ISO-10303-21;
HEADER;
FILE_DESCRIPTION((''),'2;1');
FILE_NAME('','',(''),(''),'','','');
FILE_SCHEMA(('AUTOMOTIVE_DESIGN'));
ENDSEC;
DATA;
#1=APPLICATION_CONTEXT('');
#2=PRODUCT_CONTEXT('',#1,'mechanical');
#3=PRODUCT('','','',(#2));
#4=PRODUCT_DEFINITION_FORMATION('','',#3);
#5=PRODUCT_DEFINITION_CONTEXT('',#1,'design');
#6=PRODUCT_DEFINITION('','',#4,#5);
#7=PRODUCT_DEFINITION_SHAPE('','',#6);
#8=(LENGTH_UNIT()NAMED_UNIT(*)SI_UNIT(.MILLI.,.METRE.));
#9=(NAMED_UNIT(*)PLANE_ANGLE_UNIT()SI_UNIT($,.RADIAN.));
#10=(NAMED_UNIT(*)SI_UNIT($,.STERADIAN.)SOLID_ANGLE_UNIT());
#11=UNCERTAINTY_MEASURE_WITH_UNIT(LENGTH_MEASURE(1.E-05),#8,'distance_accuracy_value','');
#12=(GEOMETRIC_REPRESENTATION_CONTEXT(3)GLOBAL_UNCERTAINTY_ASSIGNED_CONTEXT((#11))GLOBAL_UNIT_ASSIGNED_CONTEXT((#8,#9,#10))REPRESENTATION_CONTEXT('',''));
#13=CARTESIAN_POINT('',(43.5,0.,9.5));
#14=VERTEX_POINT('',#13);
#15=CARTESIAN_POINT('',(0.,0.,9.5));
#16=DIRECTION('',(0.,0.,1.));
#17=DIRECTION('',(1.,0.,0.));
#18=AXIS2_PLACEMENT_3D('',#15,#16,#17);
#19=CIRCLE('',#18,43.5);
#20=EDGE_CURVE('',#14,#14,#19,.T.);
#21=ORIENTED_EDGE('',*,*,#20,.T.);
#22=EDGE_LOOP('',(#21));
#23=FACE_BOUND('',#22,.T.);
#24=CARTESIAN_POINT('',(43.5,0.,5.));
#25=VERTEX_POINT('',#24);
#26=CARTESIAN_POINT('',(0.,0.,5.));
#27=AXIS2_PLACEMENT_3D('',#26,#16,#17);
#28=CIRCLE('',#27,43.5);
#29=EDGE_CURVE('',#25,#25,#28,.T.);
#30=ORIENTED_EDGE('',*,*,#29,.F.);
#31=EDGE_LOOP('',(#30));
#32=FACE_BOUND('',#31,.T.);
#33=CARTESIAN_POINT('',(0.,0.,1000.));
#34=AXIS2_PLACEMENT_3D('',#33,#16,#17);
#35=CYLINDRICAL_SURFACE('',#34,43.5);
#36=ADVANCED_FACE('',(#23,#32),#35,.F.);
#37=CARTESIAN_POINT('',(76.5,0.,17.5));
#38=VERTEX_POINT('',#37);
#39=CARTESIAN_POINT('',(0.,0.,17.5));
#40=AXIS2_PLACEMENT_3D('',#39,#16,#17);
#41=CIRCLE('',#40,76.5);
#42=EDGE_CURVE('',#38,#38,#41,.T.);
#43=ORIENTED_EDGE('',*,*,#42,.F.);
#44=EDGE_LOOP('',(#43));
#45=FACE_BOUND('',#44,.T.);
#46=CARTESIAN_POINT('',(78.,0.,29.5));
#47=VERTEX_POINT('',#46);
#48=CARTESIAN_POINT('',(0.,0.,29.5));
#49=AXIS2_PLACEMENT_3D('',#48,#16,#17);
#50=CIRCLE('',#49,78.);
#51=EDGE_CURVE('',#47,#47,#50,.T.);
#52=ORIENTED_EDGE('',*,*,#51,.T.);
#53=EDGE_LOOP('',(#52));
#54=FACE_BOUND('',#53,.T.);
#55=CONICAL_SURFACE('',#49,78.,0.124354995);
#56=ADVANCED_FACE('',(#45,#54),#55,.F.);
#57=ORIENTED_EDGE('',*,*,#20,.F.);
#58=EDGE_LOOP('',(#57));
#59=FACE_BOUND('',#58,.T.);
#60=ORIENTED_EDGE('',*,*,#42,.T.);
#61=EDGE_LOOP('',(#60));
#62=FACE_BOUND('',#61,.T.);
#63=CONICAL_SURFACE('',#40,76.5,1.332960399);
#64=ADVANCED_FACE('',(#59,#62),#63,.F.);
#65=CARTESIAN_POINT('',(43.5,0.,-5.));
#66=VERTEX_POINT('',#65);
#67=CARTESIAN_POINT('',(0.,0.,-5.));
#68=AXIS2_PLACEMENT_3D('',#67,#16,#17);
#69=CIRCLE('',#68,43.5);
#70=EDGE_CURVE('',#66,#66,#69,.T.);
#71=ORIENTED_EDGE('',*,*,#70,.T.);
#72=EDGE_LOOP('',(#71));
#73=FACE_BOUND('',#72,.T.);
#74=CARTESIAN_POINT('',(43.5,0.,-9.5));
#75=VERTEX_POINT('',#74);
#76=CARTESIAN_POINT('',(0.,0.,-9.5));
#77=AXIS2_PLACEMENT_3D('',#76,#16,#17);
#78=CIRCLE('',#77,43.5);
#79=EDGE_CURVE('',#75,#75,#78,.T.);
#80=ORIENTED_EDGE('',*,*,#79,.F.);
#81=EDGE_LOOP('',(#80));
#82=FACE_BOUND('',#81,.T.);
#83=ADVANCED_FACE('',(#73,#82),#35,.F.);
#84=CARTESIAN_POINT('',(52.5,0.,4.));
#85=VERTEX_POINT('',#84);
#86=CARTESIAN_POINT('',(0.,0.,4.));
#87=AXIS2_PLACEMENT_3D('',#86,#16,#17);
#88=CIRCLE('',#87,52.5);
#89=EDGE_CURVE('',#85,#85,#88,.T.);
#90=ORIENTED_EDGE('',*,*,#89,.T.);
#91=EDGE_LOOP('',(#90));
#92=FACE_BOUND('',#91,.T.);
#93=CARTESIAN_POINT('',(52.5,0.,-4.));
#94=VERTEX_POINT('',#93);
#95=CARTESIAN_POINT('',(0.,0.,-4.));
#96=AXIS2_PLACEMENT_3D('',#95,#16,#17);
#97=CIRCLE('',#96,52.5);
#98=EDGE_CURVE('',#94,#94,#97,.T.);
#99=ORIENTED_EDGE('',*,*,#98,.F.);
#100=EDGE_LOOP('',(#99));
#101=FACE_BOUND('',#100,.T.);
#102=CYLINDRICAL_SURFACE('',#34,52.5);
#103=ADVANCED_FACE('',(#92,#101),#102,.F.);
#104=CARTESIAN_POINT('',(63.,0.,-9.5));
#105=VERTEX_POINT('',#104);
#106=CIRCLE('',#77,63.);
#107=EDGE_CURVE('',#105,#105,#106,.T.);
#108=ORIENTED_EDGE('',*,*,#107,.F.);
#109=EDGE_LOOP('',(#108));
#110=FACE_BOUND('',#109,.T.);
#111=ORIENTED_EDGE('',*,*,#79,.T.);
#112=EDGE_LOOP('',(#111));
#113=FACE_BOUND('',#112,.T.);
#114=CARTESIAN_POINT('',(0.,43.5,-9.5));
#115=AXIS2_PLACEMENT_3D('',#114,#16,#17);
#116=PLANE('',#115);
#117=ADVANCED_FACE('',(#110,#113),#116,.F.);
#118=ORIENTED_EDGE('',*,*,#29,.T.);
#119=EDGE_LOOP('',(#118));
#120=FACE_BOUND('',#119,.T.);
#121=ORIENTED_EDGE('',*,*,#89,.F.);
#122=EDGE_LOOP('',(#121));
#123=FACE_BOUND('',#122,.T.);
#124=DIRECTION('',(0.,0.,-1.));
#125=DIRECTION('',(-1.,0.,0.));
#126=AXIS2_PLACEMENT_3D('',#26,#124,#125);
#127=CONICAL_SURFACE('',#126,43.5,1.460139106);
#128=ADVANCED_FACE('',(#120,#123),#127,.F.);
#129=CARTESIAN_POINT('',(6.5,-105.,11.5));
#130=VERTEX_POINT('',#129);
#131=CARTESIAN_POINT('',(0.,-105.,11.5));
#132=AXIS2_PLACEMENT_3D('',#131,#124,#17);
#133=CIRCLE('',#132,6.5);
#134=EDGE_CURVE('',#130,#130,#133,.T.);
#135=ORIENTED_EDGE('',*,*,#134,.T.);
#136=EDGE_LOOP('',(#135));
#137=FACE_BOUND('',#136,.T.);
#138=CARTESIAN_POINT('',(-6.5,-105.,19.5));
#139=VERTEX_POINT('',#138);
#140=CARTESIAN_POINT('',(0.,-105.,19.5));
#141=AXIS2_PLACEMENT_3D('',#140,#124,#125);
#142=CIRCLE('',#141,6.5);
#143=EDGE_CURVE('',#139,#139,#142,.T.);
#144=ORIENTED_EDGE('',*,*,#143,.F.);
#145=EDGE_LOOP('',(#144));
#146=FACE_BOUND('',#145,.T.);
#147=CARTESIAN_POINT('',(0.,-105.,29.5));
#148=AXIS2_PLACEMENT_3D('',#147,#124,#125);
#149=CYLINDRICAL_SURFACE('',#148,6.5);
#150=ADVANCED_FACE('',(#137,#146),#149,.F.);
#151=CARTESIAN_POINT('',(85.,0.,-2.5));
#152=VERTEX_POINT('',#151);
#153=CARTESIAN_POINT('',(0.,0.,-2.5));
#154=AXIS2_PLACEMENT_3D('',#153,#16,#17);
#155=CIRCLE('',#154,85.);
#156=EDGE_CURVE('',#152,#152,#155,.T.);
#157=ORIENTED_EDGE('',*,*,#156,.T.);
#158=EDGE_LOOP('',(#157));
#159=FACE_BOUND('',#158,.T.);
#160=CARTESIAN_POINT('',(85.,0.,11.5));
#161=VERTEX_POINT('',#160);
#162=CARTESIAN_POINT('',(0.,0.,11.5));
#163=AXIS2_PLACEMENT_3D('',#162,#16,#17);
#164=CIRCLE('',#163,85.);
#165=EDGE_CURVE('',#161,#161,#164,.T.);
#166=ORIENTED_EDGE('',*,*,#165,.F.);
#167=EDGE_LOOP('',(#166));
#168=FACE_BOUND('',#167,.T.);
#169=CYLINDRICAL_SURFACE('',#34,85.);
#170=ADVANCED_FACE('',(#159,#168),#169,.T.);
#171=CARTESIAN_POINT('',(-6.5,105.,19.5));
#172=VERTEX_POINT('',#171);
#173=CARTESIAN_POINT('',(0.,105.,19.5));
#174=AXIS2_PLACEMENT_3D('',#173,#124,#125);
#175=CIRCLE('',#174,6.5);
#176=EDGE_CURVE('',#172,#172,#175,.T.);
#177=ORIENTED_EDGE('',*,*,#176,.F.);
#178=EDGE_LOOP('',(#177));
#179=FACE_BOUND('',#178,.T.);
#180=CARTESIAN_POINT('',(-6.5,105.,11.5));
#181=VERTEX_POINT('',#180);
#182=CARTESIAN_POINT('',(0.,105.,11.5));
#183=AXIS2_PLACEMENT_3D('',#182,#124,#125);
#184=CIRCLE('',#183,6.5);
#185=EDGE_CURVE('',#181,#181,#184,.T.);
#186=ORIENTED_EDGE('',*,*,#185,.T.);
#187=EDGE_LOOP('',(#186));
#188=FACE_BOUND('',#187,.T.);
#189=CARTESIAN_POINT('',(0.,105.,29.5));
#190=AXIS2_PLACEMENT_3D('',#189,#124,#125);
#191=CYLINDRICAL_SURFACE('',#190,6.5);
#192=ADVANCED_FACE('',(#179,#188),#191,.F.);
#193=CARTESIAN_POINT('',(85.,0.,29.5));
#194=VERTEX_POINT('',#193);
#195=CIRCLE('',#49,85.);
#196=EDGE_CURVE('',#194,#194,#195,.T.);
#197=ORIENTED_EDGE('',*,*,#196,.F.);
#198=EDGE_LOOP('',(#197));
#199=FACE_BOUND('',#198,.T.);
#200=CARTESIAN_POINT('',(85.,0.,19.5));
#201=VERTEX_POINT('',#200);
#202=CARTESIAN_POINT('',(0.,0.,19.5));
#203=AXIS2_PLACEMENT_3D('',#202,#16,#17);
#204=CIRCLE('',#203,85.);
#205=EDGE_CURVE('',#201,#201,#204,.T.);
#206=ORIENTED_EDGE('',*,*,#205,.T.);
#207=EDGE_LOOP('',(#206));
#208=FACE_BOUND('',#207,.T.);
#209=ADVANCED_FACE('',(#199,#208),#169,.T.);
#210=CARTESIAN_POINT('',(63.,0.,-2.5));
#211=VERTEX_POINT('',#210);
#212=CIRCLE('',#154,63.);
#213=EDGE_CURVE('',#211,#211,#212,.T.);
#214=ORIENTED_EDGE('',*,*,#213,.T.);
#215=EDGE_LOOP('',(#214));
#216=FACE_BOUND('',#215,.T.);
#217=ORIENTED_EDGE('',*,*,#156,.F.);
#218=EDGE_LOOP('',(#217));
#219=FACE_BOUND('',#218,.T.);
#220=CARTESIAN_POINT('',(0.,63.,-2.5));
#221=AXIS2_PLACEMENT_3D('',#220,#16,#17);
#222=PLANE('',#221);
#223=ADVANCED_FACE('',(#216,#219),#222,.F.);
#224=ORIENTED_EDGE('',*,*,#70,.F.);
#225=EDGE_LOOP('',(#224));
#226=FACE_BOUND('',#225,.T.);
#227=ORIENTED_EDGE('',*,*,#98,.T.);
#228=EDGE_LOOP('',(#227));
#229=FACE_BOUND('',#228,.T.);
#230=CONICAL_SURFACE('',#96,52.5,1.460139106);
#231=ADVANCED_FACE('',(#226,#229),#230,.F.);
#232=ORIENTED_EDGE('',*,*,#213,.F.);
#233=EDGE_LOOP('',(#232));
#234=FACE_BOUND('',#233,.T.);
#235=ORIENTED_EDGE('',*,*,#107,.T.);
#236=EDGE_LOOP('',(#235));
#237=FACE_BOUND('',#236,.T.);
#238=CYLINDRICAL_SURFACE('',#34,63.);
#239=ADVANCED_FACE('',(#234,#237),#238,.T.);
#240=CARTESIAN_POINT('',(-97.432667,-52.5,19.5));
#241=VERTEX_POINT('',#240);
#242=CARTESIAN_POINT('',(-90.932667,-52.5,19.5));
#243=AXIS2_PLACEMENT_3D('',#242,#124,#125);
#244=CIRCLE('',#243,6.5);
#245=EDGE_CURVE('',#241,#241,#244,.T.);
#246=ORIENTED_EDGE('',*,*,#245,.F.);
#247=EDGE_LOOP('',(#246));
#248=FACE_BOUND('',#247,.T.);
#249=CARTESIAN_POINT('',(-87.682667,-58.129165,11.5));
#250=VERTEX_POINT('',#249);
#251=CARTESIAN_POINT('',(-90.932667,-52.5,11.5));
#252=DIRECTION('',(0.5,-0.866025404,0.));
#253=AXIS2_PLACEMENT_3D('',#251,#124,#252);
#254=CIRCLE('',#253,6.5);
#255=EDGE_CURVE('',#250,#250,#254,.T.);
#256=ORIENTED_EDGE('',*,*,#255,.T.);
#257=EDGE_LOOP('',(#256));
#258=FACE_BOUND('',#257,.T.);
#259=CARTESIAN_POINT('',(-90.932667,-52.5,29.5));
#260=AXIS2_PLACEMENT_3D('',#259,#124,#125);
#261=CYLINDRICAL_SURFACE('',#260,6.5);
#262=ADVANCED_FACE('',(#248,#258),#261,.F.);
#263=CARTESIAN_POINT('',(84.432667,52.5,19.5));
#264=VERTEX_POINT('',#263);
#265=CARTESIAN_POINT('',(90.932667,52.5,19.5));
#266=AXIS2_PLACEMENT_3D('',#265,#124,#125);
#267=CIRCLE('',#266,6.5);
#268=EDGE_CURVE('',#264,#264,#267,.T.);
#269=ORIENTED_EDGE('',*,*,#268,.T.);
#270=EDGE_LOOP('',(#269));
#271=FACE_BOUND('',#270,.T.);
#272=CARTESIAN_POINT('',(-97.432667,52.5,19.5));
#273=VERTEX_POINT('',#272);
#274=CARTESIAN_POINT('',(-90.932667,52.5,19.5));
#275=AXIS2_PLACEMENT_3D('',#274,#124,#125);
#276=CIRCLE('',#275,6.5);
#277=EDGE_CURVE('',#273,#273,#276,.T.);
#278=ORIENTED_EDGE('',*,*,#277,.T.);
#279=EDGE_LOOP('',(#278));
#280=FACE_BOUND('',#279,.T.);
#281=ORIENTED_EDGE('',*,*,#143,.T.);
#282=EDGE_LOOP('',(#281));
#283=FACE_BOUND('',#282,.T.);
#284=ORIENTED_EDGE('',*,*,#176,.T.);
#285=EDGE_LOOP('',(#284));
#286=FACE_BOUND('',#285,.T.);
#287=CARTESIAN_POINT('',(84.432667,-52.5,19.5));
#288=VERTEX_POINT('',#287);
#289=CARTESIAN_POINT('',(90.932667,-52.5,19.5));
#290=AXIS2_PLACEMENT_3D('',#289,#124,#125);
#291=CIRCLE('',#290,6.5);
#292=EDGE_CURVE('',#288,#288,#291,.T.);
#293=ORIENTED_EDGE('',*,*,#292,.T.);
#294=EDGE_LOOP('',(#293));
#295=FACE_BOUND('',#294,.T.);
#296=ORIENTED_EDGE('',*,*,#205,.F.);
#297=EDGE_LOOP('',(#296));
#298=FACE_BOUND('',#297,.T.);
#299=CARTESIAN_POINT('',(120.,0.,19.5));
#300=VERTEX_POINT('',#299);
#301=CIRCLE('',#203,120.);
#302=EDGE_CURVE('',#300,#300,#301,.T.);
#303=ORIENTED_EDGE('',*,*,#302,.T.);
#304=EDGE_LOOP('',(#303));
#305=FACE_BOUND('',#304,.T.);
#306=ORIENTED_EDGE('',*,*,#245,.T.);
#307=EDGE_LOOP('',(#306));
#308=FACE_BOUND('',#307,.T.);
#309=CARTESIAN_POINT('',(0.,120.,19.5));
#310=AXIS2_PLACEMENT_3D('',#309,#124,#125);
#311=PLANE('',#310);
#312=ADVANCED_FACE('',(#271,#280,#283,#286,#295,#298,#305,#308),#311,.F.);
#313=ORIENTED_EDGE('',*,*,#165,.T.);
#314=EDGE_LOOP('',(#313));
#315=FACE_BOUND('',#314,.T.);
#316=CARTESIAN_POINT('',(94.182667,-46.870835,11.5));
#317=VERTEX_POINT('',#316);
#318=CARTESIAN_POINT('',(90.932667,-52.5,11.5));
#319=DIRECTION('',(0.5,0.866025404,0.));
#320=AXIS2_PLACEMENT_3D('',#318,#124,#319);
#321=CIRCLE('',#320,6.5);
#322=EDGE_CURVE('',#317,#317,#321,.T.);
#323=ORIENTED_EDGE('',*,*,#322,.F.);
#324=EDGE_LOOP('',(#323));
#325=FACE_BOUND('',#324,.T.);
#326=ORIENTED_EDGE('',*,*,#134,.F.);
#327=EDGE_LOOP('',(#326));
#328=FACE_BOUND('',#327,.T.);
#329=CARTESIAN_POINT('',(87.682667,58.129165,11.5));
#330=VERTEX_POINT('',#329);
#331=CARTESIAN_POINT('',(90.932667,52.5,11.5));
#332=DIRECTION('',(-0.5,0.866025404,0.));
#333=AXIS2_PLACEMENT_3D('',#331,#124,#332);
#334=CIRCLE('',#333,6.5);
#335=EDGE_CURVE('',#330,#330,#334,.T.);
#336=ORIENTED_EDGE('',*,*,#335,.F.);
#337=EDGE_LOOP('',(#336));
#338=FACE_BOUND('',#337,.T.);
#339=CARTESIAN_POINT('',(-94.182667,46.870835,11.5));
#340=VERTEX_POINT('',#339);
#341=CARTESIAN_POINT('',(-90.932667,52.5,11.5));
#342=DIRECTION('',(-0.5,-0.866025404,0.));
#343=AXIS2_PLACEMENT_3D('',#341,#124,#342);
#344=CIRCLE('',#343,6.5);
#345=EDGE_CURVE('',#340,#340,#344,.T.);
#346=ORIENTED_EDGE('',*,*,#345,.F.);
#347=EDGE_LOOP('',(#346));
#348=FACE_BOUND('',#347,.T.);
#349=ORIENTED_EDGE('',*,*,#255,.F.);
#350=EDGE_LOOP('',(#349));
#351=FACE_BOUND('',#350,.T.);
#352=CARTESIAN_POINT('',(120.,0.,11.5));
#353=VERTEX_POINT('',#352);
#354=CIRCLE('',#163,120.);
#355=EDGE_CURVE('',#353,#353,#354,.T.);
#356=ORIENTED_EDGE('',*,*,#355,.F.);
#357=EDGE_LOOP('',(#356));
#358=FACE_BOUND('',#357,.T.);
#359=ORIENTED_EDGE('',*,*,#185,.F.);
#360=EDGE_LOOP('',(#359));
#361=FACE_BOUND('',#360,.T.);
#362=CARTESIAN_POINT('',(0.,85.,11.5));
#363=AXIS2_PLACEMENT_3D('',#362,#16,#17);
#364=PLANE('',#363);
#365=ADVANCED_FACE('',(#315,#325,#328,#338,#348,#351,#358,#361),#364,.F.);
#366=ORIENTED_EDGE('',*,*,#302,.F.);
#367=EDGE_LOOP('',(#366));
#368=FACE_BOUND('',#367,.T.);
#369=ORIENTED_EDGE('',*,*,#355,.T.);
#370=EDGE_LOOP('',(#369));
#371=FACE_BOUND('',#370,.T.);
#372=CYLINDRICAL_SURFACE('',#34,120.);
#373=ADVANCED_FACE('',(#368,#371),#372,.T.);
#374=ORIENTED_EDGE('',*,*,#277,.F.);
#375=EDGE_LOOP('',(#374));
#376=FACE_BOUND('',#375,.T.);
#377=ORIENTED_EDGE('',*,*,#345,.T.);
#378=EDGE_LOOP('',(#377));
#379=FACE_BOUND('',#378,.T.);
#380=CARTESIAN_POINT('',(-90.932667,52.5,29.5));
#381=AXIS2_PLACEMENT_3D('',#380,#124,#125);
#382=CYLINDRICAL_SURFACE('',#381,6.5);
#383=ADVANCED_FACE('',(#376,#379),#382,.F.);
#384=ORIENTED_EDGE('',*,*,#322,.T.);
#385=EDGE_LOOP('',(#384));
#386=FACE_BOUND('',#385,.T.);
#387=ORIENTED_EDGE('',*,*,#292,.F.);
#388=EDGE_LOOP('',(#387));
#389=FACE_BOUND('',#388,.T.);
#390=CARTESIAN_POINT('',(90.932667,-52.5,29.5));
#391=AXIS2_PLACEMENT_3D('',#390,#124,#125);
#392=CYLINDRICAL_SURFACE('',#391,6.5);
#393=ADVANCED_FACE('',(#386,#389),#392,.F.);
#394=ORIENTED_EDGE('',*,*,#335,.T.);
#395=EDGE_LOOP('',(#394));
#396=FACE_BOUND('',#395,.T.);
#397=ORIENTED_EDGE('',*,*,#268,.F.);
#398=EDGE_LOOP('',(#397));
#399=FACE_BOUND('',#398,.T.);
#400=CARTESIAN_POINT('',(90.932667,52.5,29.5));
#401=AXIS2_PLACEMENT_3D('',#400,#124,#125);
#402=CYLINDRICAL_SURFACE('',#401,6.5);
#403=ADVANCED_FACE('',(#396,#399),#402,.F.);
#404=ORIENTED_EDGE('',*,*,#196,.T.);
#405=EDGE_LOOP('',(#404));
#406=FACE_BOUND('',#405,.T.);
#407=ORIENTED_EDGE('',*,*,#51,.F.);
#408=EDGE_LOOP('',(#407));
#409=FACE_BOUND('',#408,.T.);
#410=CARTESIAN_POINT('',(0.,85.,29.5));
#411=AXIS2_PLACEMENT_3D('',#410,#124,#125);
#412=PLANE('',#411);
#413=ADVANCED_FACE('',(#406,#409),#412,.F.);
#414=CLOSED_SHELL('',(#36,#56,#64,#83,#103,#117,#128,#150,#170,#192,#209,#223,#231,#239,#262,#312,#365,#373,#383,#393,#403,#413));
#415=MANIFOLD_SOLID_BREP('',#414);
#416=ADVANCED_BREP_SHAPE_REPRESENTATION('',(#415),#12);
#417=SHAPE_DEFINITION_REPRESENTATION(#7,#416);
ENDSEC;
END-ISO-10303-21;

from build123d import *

# Parameters (mm, degrees)
SKETCH_2_R               = 6.5
CUT_EXTRUDE_1_DEPTH      = 172
PATTERN_CIRCULAR_1_COUNT = 6


with BuildPart() as part:
    # 草图1 → 旋转1 (revolve)
    with BuildSketch(Plane(origin=(0, 0, 0), x_dir=(0, 0, -1), z_dir=(1, 0, 0)), mode=Mode.PRIVATE) as revolve_1_sk:
        Polygon((-9.5, 43.5), (-5, 43.5), (-4, 52.5), (4, 52.5), (5, 43.5), (9.5, 43.5), (9.5, 63), (2.5, 63), (2.5, 85), (-11.5, 85), (-11.5, 120), (-19.5, 120), (-19.5, 85), (-29.5, 85), (-29.5, 78), (-17.5, 76.5), align=None)
    revolve(revolve_1_sk.sketch.rotate(Axis((0, 0, 1000), (0, 0, -1)), 90), axis=Axis((0, 0, 1000), (0, 0, -1)))

    # 草图2 → 切除-拉伸1 (cut, through all)
    with BuildSketch(Plane(origin=(0, 0, 11.5), x_dir=(-1, 0, 0), z_dir=(0, 0, -1))):
        with Locations((0, 105)):
            Circle(SKETCH_2_R)
    cut_extrude_1 = extrude(amount=-CUT_EXTRUDE_1_DEPTH, mode=Mode.SUBTRACT)

    # 阵列(圆周)1: 切除-拉伸1 ×6 about axis
    pattern_circular_1_axis = Axis((0, 0, 0), (0, 0, 1))
    for i in range(1, PATTERN_CIRCULAR_1_COUNT):
        add(cut_extrude_1.rotate(pattern_circular_1_axis, i * 360 / PATTERN_CIRCULAR_1_COUNT), mode=Mode.SUBTRACT)


solid = part.part
